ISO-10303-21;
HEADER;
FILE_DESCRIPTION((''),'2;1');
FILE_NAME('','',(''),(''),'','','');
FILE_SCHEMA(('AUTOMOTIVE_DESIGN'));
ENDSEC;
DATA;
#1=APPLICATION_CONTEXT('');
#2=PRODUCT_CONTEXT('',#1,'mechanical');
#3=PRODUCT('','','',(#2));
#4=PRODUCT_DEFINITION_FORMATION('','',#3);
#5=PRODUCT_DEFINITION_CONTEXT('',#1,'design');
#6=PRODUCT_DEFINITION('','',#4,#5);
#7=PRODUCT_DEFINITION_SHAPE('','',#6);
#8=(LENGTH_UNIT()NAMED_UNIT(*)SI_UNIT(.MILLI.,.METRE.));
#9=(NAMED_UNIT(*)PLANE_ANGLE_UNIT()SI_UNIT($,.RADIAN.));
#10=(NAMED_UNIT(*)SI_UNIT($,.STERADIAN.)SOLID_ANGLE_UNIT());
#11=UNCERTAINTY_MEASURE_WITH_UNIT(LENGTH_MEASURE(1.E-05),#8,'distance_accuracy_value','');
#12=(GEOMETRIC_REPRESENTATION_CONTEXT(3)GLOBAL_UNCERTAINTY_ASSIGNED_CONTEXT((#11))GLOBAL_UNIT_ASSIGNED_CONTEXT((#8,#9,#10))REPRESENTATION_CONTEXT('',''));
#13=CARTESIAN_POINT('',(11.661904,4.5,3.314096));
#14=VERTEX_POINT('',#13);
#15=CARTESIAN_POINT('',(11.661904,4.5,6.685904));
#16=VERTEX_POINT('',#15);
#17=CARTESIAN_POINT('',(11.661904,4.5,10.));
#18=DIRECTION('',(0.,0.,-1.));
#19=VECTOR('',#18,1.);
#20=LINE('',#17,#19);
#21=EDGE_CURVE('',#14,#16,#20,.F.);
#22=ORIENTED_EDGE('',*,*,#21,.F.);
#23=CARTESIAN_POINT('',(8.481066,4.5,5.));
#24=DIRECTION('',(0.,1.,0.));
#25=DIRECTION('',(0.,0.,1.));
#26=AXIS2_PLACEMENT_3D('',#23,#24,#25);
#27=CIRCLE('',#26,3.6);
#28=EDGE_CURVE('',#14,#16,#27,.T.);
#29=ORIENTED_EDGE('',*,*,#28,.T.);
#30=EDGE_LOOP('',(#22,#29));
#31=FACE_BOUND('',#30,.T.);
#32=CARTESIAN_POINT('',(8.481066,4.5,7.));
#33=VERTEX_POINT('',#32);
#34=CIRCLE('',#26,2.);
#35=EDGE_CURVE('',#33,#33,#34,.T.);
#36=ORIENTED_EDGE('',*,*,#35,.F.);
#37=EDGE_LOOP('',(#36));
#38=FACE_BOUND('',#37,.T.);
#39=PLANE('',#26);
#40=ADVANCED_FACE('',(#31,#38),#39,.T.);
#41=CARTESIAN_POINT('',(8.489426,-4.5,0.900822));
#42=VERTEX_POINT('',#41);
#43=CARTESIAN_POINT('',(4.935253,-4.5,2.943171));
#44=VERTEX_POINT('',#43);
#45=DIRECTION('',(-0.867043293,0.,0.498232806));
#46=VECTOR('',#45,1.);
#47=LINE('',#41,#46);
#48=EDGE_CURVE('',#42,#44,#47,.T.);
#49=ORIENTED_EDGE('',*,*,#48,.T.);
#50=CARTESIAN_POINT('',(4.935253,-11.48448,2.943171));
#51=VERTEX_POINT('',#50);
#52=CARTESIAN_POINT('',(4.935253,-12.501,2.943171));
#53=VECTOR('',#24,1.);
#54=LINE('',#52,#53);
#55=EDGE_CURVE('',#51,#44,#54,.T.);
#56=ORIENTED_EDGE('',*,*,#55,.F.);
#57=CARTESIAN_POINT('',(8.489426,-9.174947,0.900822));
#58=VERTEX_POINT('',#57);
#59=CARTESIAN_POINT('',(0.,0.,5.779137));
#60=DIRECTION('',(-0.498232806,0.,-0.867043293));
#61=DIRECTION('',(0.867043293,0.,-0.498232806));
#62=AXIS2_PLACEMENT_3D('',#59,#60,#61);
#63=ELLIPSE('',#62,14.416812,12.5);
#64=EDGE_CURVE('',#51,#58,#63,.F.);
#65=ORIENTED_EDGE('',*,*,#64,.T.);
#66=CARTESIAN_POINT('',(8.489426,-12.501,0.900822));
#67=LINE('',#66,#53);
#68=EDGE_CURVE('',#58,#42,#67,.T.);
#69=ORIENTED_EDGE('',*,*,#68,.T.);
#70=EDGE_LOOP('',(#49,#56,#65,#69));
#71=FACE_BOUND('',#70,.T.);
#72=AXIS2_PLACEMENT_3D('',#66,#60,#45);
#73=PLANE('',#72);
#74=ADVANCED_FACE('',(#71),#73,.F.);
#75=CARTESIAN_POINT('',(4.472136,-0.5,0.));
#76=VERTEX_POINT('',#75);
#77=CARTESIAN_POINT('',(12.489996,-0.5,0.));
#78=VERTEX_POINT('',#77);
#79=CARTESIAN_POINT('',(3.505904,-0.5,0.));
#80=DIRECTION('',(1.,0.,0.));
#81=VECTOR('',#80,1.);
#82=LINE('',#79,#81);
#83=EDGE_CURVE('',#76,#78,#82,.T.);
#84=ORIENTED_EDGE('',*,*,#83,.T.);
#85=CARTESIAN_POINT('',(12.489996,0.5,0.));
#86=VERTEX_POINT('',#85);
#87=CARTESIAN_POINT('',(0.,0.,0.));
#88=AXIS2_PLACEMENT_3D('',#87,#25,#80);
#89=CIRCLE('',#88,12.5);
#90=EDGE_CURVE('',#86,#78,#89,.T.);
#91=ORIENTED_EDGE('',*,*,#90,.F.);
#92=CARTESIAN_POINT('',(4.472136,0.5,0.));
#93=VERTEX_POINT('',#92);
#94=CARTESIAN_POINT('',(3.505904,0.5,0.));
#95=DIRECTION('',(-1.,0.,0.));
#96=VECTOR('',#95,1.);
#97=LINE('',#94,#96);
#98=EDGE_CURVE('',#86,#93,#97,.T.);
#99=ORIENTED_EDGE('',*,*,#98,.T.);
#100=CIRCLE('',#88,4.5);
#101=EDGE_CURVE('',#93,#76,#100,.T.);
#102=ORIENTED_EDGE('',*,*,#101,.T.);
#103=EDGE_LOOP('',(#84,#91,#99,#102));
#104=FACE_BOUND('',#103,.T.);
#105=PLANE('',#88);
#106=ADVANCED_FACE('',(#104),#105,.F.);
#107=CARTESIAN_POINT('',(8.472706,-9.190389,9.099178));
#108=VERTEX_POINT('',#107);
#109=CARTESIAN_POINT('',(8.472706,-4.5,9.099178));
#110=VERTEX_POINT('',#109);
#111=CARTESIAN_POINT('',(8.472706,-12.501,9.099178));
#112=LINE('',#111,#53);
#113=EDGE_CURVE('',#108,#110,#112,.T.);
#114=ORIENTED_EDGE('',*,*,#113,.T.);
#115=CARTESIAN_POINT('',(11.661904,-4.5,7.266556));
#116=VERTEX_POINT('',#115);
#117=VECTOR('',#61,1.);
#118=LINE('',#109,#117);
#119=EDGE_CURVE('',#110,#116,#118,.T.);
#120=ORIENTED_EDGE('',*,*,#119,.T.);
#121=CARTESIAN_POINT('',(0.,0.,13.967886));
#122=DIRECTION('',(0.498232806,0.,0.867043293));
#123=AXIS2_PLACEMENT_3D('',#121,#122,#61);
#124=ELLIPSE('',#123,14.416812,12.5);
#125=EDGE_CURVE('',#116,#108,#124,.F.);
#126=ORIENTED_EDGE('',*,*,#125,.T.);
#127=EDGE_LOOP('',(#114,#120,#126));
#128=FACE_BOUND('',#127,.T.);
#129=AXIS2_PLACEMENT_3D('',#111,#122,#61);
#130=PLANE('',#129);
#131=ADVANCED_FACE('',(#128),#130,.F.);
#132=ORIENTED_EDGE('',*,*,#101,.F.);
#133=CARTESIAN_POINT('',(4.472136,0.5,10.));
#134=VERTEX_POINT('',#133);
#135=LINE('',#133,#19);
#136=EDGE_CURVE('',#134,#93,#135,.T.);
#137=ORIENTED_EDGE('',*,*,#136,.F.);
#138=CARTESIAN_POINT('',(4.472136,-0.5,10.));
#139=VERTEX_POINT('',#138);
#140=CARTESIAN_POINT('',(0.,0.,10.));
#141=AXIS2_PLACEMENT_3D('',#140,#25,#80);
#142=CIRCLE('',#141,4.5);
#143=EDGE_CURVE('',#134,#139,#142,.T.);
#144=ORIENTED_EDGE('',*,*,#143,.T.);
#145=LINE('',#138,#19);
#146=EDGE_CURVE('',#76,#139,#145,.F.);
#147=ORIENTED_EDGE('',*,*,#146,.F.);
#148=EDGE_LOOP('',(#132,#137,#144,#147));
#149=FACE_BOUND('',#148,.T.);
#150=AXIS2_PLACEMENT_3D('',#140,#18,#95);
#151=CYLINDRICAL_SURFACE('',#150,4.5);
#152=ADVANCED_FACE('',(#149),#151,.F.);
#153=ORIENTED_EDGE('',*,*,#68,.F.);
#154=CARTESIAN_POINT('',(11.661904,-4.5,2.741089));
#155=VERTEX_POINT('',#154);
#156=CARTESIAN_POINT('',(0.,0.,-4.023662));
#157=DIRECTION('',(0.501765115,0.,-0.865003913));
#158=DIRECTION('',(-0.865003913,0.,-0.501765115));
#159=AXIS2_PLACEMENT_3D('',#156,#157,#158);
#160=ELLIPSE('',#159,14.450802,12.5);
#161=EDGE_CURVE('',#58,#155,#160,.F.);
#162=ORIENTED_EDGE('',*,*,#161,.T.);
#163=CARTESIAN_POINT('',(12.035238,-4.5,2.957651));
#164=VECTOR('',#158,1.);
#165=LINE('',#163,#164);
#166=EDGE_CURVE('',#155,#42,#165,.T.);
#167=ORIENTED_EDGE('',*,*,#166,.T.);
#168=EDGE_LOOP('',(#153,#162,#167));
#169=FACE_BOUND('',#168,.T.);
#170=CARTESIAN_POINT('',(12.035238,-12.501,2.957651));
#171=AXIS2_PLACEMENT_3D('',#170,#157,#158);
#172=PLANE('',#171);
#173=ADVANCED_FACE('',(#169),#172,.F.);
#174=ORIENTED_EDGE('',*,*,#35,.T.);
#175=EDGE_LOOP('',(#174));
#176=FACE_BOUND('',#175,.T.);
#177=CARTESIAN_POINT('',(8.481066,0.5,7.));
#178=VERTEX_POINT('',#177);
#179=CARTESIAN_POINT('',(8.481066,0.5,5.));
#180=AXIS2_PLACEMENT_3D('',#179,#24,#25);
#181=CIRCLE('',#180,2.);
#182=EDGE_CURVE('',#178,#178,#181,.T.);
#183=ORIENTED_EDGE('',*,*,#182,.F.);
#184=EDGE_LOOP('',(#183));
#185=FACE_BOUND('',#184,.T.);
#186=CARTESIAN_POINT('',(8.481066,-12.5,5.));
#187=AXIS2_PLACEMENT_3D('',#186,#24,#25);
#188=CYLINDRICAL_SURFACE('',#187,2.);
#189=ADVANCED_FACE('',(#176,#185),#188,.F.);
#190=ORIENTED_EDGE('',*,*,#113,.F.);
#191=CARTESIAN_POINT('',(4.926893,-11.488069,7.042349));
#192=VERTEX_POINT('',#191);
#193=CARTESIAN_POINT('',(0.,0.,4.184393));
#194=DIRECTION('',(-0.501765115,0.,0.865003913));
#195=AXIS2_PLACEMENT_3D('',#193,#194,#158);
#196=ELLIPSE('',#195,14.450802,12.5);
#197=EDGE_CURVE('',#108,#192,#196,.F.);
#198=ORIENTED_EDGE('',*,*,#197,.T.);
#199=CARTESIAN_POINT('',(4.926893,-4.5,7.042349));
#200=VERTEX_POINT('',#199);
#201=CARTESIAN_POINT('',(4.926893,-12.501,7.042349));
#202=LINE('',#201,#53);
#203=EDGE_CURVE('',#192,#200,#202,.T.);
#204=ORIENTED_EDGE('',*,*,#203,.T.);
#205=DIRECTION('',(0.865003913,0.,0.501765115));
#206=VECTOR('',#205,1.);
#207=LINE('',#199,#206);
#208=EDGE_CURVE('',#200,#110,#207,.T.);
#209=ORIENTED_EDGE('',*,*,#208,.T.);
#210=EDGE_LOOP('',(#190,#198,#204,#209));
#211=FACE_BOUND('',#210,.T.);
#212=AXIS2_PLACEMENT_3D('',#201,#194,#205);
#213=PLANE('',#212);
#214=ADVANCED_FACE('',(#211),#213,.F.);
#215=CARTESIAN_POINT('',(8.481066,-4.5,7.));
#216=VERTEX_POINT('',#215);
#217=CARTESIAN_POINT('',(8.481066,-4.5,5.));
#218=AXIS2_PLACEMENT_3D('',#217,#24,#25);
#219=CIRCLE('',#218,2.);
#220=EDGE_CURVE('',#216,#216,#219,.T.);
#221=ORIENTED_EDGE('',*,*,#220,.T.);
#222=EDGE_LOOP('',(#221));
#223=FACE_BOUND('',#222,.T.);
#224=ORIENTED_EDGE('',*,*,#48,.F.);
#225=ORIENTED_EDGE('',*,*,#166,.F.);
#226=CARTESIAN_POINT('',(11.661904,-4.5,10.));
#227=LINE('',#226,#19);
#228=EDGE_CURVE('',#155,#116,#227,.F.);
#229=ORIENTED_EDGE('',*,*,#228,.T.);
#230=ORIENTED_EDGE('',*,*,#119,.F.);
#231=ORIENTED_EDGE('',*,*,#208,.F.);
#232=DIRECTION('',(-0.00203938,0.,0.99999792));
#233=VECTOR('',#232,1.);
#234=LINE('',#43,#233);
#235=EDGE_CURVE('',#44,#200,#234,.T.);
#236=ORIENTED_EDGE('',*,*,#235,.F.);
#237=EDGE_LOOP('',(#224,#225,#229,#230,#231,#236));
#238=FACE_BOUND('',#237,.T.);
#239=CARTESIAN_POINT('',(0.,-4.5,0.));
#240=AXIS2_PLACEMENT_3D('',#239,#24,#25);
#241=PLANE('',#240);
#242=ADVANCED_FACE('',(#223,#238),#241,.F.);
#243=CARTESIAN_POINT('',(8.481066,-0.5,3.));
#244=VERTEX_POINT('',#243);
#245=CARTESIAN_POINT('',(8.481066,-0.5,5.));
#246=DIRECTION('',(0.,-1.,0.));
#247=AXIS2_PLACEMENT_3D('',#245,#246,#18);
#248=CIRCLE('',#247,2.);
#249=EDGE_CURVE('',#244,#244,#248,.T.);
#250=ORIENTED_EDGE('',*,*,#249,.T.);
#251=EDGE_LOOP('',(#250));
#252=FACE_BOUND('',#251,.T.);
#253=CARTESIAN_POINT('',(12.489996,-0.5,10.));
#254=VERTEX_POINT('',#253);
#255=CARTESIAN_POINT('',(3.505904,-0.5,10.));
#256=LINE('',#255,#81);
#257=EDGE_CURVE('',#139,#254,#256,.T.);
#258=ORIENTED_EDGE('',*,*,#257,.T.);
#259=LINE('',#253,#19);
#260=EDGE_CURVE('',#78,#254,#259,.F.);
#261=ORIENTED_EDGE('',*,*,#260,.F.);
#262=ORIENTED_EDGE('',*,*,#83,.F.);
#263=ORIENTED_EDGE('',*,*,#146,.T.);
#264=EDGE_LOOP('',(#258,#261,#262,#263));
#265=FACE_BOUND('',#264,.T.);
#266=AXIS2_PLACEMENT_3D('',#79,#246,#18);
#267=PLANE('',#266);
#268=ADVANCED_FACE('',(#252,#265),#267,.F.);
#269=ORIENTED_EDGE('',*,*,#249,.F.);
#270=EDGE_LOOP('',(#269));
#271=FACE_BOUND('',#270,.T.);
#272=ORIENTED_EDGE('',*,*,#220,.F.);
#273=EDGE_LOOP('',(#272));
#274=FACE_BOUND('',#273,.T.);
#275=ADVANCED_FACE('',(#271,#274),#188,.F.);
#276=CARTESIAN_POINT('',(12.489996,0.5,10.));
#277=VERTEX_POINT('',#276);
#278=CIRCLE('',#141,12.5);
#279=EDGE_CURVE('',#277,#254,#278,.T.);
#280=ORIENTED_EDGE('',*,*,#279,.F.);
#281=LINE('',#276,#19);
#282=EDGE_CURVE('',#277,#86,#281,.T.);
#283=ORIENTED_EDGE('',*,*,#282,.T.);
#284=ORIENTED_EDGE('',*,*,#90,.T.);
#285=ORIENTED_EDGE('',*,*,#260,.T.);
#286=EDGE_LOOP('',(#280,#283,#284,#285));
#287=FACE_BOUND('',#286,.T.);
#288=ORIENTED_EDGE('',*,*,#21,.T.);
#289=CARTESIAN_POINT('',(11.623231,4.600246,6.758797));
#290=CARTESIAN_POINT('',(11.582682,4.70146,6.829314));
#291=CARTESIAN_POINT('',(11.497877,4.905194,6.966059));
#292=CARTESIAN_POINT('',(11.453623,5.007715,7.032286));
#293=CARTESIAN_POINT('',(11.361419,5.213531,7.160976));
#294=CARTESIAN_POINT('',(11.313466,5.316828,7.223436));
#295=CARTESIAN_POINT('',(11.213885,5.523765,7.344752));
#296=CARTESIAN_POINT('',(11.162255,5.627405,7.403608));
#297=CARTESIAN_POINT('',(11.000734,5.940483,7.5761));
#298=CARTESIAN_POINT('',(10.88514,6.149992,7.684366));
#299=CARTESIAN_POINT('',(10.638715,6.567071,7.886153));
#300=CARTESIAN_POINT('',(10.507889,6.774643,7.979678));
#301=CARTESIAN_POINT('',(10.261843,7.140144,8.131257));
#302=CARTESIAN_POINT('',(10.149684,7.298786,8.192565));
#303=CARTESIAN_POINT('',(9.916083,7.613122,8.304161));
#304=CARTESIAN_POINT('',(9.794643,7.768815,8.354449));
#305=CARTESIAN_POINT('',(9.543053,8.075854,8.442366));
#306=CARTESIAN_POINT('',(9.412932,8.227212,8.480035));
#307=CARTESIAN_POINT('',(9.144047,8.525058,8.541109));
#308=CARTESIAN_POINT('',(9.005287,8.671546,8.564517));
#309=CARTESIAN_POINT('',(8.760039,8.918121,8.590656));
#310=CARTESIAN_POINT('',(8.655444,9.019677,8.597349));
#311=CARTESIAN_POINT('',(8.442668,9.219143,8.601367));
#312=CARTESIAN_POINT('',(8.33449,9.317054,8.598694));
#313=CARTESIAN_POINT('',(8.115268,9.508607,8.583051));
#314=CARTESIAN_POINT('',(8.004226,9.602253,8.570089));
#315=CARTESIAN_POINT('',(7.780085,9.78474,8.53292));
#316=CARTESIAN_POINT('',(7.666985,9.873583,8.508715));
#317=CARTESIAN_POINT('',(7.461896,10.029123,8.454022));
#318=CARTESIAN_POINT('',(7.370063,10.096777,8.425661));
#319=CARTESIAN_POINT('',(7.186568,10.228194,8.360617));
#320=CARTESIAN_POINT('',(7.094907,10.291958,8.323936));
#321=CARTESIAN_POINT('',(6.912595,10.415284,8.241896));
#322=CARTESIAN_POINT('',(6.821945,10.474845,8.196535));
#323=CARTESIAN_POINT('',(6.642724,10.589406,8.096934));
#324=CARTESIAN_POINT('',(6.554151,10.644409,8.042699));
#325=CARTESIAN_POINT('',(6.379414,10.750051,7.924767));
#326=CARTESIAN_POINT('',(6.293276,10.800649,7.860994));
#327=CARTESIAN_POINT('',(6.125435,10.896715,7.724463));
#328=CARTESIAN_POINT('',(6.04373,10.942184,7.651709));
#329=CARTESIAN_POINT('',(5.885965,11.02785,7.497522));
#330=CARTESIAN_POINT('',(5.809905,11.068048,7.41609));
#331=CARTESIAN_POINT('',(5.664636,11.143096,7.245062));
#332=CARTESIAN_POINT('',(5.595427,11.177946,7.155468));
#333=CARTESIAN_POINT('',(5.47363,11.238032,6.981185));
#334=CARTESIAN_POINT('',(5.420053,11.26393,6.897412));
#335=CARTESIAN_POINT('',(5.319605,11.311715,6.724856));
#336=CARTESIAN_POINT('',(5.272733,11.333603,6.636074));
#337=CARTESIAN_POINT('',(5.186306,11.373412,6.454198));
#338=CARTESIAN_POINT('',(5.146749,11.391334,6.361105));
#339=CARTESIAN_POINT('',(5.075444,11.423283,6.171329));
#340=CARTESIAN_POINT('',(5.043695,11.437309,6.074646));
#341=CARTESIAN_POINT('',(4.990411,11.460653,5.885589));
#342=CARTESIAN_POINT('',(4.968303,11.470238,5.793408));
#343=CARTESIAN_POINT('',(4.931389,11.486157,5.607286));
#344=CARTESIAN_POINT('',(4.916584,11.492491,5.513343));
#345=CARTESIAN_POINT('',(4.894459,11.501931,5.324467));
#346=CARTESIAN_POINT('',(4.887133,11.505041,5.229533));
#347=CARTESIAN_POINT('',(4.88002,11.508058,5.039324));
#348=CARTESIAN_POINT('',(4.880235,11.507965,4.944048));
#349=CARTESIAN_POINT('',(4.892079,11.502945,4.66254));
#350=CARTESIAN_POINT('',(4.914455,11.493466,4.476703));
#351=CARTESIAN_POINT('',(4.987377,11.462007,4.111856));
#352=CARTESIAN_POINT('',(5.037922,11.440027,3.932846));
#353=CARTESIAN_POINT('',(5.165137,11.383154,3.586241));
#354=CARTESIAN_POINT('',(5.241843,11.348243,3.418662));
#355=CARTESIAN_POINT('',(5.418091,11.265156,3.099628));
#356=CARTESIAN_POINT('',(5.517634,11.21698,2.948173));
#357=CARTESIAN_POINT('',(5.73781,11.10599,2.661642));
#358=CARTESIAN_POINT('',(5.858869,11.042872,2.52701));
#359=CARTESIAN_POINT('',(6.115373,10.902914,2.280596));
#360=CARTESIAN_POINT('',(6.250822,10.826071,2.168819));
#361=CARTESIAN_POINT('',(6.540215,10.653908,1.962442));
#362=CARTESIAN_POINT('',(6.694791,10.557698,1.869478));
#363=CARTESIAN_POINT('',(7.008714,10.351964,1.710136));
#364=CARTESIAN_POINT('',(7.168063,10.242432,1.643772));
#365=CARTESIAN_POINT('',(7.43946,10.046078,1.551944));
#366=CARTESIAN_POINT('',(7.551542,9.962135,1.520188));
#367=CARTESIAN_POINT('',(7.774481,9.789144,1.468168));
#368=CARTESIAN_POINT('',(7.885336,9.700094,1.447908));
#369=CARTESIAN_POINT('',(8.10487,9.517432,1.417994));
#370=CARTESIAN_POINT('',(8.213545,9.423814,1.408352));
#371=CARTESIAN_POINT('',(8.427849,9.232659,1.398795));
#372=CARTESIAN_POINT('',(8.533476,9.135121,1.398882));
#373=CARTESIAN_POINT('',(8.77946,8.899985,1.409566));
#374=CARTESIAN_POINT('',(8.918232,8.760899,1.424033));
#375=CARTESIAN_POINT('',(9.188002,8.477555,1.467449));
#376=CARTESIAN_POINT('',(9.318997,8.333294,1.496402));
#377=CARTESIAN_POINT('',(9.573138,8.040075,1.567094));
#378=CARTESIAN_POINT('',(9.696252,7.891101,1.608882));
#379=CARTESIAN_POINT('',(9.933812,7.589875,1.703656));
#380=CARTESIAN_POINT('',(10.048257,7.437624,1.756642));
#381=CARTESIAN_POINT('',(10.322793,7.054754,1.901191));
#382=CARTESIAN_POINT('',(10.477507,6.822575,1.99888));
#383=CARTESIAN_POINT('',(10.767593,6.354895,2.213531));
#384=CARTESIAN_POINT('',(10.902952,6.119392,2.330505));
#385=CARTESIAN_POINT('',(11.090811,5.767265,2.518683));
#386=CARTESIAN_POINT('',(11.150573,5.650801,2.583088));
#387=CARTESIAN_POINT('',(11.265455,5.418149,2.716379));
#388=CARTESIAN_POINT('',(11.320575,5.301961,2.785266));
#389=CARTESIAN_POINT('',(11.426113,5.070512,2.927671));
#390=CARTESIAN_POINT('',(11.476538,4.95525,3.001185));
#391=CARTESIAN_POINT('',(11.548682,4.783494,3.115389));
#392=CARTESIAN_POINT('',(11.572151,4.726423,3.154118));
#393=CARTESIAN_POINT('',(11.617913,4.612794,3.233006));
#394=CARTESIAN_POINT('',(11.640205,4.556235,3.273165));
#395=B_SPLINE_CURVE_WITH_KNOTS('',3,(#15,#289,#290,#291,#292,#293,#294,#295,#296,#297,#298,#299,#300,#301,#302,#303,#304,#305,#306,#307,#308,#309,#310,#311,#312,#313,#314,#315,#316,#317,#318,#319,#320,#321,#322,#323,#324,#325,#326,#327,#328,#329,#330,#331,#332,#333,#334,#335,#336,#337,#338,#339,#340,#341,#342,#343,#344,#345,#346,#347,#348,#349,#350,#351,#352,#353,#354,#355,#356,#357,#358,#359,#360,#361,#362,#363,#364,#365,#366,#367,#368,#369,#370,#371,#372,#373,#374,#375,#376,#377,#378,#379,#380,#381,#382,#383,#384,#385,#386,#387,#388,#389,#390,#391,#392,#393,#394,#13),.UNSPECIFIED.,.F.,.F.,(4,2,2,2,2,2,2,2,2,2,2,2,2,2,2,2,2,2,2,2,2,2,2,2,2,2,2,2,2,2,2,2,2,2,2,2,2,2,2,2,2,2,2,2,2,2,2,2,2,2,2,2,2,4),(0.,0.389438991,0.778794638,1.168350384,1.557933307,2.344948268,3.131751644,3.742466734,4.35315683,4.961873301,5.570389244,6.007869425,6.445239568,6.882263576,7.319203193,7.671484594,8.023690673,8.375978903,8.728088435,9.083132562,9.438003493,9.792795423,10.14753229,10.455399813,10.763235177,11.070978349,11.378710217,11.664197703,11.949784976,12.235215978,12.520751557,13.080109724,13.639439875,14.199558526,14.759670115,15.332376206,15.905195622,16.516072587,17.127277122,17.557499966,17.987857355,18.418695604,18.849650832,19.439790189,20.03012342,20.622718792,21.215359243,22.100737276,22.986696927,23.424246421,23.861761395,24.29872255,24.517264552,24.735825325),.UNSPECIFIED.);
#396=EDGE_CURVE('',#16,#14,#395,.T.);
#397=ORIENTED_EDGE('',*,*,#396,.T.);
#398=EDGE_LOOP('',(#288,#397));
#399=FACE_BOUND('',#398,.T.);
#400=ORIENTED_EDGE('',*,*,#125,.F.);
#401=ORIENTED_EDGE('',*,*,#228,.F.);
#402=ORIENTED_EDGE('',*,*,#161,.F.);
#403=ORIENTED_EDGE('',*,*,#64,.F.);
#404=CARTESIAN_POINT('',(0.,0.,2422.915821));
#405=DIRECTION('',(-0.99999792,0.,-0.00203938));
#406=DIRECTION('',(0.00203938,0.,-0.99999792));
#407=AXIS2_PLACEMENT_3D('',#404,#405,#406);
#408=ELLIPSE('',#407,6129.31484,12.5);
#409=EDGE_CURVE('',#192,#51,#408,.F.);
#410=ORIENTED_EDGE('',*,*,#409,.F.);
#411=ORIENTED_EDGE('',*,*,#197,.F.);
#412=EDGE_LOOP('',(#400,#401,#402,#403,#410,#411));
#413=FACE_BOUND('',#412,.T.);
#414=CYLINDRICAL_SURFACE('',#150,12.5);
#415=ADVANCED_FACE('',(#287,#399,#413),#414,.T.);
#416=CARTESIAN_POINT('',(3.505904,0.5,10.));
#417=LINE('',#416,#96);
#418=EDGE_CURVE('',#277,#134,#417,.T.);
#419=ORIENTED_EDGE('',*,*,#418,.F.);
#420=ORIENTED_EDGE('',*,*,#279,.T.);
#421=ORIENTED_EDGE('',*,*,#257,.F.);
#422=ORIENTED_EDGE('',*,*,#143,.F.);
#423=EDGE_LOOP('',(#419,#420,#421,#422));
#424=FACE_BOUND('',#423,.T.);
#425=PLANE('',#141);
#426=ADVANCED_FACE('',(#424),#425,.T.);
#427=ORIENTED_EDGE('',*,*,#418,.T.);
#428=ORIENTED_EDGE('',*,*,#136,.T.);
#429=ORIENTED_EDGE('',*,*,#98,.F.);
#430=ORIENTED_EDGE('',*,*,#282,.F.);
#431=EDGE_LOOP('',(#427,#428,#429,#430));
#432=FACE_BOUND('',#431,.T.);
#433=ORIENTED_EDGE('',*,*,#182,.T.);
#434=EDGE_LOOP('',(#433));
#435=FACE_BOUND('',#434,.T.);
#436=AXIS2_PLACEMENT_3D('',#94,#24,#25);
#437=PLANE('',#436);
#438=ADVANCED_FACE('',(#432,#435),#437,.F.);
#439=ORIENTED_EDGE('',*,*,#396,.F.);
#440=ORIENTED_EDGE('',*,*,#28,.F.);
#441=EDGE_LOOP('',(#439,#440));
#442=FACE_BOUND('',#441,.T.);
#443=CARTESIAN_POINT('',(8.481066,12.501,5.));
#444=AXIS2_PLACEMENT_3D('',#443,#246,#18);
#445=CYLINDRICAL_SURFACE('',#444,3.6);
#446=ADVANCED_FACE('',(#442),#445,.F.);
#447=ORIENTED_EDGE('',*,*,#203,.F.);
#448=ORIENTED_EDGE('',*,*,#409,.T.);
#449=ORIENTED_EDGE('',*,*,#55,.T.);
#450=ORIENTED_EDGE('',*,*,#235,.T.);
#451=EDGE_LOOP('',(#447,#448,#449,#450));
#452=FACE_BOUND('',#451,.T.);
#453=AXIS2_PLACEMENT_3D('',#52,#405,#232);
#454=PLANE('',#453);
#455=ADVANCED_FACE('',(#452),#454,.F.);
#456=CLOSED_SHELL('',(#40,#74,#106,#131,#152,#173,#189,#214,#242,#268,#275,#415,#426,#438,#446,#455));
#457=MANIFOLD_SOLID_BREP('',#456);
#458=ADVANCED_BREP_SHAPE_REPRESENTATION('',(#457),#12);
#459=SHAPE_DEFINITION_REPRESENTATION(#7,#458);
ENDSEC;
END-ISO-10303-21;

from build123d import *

# Parameters (mm, degrees)
SKETCH1_R               = 12.5
SKETCH1_R_2             = 4.5
BOSS_EXTRUDE1_DEPTH     = 10
SKETCH2_W               = 9.983536535
SKETCH2_H               = 1
CUT_EXTRUDE1_DEPTH      = 21.310096012
CUT_EXTRUDE2_DEPTH      = 21.310096012
CUT_EXTRUDE2_DEPTH_BACK = 21.310096012
SKETCH3_R               = 2
CUT_EXTRUDE3_REACH      = 25.351
SKETCH4_R               = 3.6
CUT_EXTRUDE4_REACH      = 25.351
CUT_EXTRUDE4_END_RADIUS = 12.5


with BuildPart() as part:
    # Sketch1 → Boss-Extrude1 (new body)
    with BuildSketch(Plane.XY):
        Circle(SKETCH1_R)
        Circle(SKETCH1_R_2, mode=Mode.SUBTRACT)
    extrude(amount=BOSS_EXTRUDE1_DEPTH)

    # Sketch2 → Cut-Extrude1 (cut, through all)
    with BuildSketch(Plane.XY.offset(10)):
        with Locations((8.497672296, 0)):
            Rectangle(SKETCH2_W, SKETCH2_H)
    extrude(amount=-CUT_EXTRUDE1_DEPTH, mode=Mode.SUBTRACT)

    # Sketch3 → Cut-Extrude2 (cut, two sides: drawn at the far end of the back side and taken through both)
    with BuildSketch(Plane(origin=(0, 0, 0), x_dir=(1, 0, 0), z_dir=(0, 1, 0)).offset(-CUT_EXTRUDE2_DEPTH_BACK)):
        with Locations(Location((8.481065976, -5, 0), (0, 0, 270))):
            Circle(SKETCH3_R)
    extrude(amount=CUT_EXTRUDE2_DEPTH + CUT_EXTRUDE2_DEPTH_BACK, mode=Mode.SUBTRACT)

    # Sketch4 → Cut-Extrude3 (cut, up to next)
    with BuildSketch(Plane(origin=(0, 4.5, 0), x_dir=(1, 0, 0), z_dir=(0, 1, 0)), mode=Mode.PRIVATE) as cut_extrude3_sk1:
        with Locations((8.481065976, -5)):
            Circle(SKETCH4_R)
    cut_extrude3_tool1 = extrude(cut_extrude3_sk1.sketch, amount=CUT_EXTRUDE3_REACH, mode=Mode.PRIVATE) & part.part
    add(cut_extrude3_tool1.solids().sort_by_distance((8.481066, 4.5, 5))[0], mode=Mode.SUBTRACT)

    # Cut-Extrude4: up to this cylinder (the profile starts inside it)
    cut_extrude4_end = Plane(origin=(0, 0, 5), z_dir=(0, 0, -1)) * Cylinder(CUT_EXTRUDE4_END_RADIUS, 76.702, mode=Mode.PRIVATE)
    # Sketch5 → Cut-Extrude4 (cut, up to the surface)
    with BuildSketch(Plane(origin=(0, -4.5, 0), x_dir=(1, 0, 0), z_dir=(0, 1, 0)), mode=Mode.PRIVATE) as cut_extrude4_sk1:
        Polygon((8.472706177, -9.099178387), (12.026878694, -7.056828991), (12.035238493, -2.957650604), (8.489425774, -0.900821613), (4.935253257, -2.943171009), (4.926893459, -7.042349396), align=None)
    cut_extrude4_tool1 = extrude(cut_extrude4_sk1.sketch, amount=-CUT_EXTRUDE4_REACH, mode=Mode.PRIVATE) & cut_extrude4_end
    add(cut_extrude4_tool1.solids().sort_by_distance((8.481066, -4.5, 5))[0], mode=Mode.SUBTRACT)


solid = part.part
